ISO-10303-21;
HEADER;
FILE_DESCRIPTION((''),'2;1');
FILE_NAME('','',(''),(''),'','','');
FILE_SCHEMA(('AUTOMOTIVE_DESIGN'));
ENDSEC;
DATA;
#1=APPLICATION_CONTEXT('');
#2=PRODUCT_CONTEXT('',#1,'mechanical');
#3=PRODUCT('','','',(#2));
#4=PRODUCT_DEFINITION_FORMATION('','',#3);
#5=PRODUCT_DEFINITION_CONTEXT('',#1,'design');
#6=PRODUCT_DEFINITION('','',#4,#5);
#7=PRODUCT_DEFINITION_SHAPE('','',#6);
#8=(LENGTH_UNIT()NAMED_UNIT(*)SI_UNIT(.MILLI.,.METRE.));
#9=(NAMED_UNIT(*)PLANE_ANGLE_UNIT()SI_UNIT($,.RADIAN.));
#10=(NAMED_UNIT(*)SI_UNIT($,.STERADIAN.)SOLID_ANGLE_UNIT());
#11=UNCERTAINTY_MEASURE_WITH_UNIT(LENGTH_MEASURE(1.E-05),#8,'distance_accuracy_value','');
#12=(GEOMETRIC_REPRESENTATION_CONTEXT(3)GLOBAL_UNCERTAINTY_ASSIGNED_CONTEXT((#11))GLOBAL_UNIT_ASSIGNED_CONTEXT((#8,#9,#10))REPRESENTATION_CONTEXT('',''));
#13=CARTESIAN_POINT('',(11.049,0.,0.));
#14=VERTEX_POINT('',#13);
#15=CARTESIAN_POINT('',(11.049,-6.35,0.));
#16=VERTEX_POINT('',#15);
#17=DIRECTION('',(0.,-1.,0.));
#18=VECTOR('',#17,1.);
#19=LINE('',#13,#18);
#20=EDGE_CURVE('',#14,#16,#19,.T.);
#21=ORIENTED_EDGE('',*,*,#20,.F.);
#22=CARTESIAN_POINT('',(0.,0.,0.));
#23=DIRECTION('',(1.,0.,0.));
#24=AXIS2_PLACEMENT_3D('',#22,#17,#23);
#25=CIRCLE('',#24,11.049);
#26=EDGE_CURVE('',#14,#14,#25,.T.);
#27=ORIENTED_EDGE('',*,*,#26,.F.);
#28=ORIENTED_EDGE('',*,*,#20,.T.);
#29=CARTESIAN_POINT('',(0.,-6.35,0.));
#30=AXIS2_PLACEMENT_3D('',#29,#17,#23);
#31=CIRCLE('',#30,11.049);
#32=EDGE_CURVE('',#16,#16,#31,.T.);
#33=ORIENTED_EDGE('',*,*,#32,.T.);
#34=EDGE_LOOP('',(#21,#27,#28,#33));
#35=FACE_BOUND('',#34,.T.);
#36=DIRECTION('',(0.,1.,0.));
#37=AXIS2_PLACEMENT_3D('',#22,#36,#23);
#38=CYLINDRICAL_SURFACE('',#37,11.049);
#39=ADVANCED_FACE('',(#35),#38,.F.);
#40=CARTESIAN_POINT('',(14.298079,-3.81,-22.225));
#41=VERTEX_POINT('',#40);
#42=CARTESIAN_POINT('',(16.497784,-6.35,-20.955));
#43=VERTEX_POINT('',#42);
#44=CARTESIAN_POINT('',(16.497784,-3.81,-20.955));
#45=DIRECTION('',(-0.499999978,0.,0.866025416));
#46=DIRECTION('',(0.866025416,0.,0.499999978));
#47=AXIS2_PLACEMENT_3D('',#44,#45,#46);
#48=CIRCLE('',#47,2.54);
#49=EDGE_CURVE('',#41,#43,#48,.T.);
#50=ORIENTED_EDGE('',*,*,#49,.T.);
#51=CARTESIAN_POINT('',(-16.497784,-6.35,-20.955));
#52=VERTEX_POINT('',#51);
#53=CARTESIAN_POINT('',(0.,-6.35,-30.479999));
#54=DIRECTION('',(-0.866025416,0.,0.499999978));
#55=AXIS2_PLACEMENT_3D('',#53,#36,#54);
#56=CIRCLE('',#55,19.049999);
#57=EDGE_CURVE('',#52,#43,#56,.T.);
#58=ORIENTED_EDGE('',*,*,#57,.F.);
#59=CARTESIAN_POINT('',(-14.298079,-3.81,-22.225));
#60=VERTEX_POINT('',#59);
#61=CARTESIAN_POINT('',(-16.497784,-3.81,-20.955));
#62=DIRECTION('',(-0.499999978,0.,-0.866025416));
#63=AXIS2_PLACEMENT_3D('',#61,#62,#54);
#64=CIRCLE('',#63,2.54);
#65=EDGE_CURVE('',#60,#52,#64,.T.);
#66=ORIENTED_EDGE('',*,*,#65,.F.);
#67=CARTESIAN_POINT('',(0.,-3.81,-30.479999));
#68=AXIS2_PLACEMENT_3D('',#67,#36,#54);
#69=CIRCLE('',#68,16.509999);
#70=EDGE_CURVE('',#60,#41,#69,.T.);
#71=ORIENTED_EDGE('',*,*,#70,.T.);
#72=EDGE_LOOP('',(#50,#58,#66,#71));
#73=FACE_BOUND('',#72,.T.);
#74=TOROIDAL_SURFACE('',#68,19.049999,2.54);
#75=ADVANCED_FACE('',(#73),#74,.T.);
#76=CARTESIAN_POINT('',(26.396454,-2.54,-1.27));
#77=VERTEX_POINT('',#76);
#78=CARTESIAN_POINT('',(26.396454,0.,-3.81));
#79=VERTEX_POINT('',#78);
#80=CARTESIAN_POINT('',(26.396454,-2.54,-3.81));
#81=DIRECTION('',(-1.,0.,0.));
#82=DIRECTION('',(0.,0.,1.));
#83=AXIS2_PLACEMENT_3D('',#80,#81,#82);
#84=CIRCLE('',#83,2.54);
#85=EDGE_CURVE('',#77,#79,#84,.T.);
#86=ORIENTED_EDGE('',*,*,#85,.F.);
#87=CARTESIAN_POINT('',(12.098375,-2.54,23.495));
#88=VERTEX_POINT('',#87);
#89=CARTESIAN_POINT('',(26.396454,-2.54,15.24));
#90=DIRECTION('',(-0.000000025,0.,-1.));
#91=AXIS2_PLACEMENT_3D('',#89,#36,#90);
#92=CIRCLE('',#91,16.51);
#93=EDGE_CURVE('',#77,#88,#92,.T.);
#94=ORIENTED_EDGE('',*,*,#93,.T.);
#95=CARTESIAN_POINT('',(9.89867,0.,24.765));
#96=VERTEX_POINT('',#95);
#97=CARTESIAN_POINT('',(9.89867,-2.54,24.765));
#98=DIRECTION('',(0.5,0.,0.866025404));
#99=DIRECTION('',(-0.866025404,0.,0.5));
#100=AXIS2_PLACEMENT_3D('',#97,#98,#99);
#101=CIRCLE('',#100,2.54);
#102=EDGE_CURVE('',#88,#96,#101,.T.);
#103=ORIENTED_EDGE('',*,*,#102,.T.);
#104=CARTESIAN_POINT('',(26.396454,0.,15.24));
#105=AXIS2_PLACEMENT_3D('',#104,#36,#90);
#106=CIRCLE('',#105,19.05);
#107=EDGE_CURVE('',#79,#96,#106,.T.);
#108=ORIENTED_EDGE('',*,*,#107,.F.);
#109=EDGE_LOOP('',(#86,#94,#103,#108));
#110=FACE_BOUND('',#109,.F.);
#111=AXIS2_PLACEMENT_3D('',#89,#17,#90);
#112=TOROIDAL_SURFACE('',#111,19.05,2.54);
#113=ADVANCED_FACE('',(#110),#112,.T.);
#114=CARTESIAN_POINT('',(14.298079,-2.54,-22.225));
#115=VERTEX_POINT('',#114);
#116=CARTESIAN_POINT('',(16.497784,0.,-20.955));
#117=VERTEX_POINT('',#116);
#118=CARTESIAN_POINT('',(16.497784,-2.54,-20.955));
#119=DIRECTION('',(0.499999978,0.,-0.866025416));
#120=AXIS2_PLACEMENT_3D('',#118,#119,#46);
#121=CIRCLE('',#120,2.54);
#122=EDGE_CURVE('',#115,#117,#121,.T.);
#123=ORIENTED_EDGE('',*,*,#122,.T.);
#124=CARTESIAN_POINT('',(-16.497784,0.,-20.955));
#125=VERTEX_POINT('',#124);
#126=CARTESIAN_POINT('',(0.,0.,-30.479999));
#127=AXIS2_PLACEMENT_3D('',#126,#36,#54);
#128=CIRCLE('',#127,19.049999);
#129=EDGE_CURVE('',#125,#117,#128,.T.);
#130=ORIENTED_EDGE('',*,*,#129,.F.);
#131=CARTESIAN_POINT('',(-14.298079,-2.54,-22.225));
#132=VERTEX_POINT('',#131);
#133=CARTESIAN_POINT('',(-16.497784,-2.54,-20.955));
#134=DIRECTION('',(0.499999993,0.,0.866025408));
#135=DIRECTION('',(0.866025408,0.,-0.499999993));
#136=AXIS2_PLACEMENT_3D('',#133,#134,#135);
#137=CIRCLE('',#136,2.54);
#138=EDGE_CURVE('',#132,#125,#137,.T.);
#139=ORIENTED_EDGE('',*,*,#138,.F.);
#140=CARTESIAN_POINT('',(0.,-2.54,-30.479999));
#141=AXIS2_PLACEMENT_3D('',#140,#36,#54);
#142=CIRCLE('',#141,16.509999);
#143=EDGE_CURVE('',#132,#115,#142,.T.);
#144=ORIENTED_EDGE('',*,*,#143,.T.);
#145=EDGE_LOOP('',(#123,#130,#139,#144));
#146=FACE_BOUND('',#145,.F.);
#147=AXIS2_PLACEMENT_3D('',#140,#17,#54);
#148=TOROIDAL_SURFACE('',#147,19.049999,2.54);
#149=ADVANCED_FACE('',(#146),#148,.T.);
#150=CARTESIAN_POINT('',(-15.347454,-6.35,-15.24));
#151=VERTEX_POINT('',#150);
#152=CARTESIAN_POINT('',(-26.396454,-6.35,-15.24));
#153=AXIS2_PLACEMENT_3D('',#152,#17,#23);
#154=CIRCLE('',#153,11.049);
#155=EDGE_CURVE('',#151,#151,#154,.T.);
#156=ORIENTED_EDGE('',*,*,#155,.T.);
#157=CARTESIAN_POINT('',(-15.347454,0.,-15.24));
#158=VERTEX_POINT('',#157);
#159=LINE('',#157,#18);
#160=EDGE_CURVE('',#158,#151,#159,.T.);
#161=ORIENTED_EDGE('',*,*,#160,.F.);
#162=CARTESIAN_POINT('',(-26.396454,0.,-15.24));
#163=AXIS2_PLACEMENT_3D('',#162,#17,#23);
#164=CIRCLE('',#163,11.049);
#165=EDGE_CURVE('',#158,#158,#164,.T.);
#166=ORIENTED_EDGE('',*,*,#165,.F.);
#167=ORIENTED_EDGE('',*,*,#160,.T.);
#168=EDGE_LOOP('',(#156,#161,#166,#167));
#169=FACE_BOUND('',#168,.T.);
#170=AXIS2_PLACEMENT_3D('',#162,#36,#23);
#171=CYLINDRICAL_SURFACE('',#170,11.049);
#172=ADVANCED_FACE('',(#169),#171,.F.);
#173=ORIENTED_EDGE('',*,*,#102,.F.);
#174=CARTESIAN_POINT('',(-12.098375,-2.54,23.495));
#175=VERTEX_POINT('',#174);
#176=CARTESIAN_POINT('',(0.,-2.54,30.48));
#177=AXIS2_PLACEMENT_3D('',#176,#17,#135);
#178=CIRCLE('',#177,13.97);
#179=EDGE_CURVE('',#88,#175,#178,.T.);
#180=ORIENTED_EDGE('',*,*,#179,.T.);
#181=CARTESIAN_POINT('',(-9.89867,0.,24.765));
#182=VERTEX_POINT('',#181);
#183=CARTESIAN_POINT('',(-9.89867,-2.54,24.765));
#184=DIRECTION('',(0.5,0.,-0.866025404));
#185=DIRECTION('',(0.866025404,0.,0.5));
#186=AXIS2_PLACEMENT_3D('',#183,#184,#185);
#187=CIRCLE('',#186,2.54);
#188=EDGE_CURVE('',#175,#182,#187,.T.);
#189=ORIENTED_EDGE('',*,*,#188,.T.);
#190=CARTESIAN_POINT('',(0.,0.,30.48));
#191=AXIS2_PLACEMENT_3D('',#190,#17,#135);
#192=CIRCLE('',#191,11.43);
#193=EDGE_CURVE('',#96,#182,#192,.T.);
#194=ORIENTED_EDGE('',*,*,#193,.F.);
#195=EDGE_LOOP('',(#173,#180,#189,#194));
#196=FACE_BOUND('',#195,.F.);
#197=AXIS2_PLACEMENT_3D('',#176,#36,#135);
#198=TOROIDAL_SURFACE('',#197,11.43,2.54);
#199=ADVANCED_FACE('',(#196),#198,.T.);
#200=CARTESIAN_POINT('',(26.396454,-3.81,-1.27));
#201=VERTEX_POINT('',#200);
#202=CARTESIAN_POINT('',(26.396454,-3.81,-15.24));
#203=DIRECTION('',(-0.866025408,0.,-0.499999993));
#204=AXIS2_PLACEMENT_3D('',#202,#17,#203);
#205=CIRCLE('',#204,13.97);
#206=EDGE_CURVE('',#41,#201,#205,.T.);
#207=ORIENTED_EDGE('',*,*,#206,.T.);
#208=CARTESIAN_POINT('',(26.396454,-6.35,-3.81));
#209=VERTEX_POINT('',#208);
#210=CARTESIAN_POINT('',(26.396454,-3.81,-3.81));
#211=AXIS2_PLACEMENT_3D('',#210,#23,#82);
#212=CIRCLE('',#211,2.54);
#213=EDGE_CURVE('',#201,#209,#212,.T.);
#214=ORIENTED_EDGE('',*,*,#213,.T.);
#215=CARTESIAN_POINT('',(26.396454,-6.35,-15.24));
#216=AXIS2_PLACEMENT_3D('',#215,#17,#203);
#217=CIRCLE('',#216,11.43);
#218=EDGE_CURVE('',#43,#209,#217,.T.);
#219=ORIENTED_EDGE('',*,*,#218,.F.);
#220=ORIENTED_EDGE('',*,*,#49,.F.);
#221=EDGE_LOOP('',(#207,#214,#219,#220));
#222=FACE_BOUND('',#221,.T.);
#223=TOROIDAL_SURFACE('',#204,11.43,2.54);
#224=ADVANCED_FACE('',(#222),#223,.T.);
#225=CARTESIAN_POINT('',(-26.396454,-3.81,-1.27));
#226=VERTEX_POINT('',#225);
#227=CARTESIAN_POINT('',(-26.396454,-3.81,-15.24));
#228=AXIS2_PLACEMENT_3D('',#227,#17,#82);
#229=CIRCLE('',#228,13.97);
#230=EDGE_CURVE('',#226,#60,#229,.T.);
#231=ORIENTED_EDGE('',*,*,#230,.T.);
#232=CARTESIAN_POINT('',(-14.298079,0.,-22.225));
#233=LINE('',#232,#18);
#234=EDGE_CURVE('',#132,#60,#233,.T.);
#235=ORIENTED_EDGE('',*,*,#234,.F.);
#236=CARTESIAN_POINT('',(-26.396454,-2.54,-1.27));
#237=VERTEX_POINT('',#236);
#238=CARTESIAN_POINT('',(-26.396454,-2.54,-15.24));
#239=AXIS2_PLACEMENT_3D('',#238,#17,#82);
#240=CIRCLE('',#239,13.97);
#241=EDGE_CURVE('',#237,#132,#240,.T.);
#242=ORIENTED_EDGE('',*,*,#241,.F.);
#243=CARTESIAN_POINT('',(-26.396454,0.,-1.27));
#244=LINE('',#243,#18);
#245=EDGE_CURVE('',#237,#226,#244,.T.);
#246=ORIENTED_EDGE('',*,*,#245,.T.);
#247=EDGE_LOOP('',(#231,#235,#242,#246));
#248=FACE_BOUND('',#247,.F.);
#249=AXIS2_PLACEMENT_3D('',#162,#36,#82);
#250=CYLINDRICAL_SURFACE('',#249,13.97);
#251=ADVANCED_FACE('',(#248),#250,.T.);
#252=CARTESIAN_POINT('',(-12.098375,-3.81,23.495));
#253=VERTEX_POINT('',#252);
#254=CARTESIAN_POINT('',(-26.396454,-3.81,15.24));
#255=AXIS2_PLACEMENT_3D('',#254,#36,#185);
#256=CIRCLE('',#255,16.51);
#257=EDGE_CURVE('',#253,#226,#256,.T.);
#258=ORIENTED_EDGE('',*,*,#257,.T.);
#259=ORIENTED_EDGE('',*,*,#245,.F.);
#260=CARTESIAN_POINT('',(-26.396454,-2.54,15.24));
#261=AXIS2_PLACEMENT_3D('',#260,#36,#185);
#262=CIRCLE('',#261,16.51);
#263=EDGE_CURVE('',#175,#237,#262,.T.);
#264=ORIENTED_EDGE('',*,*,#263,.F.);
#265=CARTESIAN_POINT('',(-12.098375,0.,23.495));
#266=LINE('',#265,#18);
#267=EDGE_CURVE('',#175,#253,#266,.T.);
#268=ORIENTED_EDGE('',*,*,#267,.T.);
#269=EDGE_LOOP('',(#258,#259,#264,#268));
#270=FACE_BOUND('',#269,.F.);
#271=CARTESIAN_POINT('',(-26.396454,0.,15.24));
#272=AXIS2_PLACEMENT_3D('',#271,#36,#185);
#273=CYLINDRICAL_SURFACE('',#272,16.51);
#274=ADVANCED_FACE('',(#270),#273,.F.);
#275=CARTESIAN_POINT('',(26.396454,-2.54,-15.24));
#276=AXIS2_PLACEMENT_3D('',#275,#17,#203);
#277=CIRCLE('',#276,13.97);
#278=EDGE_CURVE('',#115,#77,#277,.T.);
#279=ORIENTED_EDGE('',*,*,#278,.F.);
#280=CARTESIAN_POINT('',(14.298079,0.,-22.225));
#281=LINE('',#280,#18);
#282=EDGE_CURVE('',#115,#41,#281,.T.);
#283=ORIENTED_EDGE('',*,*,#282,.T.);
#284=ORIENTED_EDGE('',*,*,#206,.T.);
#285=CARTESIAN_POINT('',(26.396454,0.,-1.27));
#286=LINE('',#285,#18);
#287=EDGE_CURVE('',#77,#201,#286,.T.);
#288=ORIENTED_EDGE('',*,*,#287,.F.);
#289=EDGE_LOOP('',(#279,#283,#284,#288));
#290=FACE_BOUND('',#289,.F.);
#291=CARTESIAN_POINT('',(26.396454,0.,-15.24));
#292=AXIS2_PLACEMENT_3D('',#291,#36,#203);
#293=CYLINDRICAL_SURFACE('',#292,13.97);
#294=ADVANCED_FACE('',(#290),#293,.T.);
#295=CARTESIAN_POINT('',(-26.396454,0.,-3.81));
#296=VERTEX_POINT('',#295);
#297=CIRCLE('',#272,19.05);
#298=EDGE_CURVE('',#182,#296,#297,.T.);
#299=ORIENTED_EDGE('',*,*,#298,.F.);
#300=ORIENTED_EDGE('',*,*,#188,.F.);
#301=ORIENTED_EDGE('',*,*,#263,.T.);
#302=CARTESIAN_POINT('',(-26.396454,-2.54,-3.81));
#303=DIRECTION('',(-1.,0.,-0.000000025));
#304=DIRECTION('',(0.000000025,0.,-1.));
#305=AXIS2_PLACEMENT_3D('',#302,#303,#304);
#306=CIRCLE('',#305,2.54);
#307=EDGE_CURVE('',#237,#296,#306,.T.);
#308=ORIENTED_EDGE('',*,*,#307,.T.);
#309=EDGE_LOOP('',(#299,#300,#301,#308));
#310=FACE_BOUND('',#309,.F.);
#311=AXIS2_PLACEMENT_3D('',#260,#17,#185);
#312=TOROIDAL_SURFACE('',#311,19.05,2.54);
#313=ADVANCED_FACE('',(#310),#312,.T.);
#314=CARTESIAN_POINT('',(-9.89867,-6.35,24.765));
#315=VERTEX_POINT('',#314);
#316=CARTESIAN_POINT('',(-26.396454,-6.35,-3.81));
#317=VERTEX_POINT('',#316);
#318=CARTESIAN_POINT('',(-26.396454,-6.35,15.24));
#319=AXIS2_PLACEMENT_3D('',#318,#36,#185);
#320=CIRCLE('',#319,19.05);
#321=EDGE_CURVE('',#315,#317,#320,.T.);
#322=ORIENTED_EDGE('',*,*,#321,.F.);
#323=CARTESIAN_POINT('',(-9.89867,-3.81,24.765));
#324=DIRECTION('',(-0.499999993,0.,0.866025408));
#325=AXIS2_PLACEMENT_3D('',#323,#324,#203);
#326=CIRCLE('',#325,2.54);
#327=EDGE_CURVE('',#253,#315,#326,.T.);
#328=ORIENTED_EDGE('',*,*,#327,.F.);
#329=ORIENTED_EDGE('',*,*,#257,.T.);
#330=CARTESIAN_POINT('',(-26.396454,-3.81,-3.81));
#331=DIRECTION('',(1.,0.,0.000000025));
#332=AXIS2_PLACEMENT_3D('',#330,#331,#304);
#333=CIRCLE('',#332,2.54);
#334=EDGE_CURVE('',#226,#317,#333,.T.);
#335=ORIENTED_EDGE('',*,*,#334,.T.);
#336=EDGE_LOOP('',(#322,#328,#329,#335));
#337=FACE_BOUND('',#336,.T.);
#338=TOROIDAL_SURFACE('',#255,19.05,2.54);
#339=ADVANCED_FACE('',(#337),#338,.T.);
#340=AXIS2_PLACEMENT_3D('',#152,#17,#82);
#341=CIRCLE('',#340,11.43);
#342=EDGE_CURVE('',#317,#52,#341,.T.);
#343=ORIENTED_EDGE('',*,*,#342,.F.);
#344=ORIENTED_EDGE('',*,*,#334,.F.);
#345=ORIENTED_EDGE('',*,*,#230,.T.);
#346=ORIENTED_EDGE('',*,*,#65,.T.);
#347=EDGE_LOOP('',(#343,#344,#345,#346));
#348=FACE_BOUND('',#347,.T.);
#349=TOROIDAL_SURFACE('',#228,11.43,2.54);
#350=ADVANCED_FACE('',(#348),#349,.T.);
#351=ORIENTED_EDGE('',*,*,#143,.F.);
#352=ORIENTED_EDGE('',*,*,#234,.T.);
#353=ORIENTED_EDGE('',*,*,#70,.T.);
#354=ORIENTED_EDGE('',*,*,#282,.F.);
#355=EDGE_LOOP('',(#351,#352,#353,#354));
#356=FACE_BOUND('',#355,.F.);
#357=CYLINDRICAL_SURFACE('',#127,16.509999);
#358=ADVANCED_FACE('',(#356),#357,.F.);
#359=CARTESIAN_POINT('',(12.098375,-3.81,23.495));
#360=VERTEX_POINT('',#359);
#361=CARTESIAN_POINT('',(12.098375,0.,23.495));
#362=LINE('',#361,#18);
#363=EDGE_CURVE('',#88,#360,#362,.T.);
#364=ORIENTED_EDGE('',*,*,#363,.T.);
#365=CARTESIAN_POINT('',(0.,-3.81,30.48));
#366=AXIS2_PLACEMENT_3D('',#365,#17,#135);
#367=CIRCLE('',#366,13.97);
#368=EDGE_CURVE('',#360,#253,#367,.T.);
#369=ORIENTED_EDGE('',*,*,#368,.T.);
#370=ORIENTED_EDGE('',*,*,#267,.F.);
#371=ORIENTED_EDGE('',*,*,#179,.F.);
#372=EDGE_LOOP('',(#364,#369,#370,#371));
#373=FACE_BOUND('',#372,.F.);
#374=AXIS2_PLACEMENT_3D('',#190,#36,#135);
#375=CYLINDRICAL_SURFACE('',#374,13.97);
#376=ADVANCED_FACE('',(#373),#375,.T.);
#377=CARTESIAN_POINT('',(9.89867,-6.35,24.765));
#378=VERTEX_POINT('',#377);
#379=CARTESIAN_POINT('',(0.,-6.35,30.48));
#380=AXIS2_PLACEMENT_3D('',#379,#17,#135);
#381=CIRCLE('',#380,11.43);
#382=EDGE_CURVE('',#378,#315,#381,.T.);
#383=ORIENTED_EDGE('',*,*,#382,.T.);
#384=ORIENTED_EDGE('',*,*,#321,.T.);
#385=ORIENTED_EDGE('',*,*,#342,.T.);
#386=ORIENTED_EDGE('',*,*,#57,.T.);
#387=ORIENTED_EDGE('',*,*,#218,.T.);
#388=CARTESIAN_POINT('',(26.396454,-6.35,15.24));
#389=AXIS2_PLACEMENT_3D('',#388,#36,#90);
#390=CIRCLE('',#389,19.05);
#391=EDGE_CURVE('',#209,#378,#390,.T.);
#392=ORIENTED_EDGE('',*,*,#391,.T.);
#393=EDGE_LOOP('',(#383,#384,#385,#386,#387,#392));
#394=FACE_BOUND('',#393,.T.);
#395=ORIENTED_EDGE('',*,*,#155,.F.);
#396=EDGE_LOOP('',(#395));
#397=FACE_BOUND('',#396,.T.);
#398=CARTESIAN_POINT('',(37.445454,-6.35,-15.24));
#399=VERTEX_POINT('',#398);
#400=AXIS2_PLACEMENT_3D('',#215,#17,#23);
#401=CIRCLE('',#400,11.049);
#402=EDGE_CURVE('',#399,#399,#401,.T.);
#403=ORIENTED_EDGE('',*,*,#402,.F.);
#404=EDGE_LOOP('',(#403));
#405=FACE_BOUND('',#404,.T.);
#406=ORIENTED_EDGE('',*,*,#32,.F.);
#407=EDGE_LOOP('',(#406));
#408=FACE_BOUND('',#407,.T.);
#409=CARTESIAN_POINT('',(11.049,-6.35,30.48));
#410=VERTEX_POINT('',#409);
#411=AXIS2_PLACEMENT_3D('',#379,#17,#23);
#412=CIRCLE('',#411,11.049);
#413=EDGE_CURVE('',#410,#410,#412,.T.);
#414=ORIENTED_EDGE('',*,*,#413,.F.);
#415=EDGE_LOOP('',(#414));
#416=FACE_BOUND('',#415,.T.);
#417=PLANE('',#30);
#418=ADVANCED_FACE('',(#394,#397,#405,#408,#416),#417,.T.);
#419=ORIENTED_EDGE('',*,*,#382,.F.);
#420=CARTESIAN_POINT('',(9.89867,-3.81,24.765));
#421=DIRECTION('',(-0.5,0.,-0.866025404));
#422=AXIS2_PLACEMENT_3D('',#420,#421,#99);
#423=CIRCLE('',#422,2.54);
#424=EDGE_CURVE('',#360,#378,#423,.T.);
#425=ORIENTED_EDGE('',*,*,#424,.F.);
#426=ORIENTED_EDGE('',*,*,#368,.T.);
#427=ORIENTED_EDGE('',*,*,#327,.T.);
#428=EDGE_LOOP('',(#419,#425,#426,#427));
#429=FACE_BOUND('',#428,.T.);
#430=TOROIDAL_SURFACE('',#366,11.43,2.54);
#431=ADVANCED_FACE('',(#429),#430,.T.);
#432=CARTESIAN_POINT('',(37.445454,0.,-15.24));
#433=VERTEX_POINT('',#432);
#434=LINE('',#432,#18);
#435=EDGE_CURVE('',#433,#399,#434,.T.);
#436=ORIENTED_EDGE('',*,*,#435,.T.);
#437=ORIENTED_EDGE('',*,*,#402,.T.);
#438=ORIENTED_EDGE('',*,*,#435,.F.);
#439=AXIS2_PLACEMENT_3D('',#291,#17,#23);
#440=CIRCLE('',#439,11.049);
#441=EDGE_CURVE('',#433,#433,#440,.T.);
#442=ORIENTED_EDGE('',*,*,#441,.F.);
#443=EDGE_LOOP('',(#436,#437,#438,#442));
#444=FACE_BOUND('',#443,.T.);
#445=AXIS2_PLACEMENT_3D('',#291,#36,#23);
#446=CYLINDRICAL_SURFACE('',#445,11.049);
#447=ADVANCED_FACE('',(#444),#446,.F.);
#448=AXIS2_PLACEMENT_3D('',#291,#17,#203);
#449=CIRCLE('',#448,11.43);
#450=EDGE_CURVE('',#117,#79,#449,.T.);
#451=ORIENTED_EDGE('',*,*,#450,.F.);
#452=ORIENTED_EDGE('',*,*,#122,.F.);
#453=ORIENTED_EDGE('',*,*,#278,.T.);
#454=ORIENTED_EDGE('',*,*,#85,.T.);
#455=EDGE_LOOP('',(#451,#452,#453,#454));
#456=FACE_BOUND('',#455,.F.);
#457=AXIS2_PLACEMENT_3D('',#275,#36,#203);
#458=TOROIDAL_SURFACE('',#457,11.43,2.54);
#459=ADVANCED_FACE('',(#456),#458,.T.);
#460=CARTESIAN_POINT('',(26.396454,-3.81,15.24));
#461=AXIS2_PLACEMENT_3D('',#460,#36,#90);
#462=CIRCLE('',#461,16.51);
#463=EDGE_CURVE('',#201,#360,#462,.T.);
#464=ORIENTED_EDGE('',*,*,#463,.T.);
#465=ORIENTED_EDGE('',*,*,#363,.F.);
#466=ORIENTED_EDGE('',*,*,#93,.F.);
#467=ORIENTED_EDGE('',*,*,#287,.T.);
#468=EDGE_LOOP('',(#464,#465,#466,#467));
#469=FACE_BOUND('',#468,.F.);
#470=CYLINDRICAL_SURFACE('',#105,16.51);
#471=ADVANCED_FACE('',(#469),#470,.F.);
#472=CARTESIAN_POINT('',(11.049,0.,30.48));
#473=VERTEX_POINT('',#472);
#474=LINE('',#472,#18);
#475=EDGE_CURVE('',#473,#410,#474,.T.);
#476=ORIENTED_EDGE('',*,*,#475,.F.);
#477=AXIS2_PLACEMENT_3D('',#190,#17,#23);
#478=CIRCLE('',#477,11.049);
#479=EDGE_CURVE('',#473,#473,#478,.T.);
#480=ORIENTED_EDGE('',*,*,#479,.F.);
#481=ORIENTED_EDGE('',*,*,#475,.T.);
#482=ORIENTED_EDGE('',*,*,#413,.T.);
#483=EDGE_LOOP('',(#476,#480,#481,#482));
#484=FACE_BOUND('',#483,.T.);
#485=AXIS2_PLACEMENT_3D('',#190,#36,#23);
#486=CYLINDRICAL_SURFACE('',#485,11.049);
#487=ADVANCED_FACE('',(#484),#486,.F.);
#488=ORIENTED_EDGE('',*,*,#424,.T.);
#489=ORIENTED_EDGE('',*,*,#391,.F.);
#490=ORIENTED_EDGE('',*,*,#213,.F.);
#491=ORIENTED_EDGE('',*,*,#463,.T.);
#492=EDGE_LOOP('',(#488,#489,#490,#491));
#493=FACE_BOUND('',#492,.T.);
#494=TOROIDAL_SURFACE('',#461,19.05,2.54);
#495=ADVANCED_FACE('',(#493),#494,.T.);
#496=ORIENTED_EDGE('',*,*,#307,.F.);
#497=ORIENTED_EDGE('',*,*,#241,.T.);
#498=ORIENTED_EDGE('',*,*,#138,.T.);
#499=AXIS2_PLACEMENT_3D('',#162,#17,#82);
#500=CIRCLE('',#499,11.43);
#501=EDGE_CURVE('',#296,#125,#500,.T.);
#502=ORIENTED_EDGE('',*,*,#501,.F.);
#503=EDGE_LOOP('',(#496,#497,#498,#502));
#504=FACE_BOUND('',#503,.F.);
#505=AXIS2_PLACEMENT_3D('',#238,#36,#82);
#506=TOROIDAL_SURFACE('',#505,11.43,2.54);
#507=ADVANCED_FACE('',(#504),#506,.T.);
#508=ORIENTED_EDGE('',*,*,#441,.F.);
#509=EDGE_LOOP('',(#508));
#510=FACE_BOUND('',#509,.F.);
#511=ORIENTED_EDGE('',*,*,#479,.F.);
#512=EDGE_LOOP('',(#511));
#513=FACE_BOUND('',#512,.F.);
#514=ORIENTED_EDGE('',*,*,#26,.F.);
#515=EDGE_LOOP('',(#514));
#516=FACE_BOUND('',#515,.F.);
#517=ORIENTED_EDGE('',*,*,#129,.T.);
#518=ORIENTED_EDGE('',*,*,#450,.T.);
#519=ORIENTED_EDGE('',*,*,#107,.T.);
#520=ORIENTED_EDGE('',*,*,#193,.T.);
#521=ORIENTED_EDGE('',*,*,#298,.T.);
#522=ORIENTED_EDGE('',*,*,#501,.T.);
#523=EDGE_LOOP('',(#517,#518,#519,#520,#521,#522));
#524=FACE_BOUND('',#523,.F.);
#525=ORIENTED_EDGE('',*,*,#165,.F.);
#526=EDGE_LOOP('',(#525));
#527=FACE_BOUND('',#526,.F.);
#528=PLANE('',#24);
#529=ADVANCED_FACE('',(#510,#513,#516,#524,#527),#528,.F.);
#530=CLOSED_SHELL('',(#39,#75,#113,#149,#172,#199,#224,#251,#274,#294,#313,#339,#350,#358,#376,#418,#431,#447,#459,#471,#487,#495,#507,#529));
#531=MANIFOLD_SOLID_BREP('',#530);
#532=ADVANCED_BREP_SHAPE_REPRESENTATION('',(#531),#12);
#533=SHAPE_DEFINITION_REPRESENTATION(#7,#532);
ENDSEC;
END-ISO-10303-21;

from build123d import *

# Parameters (mm, degrees)
F0_R     = 11.049
F1_DEPTH = 6.35
F2_R     = 2.54


with BuildPart() as f1:
    # F0 (on Front) → F1 (new body)
    with BuildSketch(Plane.XZ):
        with BuildLine():
            ThreePointArc((26.396454, -1.27), (12.098375, 6.985), (12.098375, 23.495))
            ThreePointArc((12.098375, 23.495), (0, 44.45), (-12.098375, 23.495))
            ThreePointArc((-12.098375, 23.495), (-12.098375, 6.985), (-26.396454, -1.27))
            ThreePointArc((-26.396454, -1.27), (-38.494829, -22.225), (-14.298079, -22.225))
            ThreePointArc((-14.298079, -22.225), (0, -13.97), (14.298079, -22.225))
            ThreePointArc((14.298079, -22.225), (38.494829, -22.225), (26.396454, -1.27))
        make_face()
        with Locations((-26.396454, -15.24)):
            Circle(F0_R, mode=Mode.SUBTRACT)
        with Locations((26.396454, -15.24)):
            Circle(F0_R, mode=Mode.SUBTRACT)
        Circle(F0_R, mode=Mode.SUBTRACT)
        with Locations((0, 30.48)):
            Circle(F0_R, mode=Mode.SUBTRACT)
    extrude(amount=F1_DEPTH)

    # F2
    f2_edges = [f1.edges().sort_by_distance(p)[0] for p in [
        (-12.098375, 0, 6.985),
        (0, -6.35, -13.97),
    ]]
    fillet(f2_edges, radius=F2_R)


solid = f1.part
